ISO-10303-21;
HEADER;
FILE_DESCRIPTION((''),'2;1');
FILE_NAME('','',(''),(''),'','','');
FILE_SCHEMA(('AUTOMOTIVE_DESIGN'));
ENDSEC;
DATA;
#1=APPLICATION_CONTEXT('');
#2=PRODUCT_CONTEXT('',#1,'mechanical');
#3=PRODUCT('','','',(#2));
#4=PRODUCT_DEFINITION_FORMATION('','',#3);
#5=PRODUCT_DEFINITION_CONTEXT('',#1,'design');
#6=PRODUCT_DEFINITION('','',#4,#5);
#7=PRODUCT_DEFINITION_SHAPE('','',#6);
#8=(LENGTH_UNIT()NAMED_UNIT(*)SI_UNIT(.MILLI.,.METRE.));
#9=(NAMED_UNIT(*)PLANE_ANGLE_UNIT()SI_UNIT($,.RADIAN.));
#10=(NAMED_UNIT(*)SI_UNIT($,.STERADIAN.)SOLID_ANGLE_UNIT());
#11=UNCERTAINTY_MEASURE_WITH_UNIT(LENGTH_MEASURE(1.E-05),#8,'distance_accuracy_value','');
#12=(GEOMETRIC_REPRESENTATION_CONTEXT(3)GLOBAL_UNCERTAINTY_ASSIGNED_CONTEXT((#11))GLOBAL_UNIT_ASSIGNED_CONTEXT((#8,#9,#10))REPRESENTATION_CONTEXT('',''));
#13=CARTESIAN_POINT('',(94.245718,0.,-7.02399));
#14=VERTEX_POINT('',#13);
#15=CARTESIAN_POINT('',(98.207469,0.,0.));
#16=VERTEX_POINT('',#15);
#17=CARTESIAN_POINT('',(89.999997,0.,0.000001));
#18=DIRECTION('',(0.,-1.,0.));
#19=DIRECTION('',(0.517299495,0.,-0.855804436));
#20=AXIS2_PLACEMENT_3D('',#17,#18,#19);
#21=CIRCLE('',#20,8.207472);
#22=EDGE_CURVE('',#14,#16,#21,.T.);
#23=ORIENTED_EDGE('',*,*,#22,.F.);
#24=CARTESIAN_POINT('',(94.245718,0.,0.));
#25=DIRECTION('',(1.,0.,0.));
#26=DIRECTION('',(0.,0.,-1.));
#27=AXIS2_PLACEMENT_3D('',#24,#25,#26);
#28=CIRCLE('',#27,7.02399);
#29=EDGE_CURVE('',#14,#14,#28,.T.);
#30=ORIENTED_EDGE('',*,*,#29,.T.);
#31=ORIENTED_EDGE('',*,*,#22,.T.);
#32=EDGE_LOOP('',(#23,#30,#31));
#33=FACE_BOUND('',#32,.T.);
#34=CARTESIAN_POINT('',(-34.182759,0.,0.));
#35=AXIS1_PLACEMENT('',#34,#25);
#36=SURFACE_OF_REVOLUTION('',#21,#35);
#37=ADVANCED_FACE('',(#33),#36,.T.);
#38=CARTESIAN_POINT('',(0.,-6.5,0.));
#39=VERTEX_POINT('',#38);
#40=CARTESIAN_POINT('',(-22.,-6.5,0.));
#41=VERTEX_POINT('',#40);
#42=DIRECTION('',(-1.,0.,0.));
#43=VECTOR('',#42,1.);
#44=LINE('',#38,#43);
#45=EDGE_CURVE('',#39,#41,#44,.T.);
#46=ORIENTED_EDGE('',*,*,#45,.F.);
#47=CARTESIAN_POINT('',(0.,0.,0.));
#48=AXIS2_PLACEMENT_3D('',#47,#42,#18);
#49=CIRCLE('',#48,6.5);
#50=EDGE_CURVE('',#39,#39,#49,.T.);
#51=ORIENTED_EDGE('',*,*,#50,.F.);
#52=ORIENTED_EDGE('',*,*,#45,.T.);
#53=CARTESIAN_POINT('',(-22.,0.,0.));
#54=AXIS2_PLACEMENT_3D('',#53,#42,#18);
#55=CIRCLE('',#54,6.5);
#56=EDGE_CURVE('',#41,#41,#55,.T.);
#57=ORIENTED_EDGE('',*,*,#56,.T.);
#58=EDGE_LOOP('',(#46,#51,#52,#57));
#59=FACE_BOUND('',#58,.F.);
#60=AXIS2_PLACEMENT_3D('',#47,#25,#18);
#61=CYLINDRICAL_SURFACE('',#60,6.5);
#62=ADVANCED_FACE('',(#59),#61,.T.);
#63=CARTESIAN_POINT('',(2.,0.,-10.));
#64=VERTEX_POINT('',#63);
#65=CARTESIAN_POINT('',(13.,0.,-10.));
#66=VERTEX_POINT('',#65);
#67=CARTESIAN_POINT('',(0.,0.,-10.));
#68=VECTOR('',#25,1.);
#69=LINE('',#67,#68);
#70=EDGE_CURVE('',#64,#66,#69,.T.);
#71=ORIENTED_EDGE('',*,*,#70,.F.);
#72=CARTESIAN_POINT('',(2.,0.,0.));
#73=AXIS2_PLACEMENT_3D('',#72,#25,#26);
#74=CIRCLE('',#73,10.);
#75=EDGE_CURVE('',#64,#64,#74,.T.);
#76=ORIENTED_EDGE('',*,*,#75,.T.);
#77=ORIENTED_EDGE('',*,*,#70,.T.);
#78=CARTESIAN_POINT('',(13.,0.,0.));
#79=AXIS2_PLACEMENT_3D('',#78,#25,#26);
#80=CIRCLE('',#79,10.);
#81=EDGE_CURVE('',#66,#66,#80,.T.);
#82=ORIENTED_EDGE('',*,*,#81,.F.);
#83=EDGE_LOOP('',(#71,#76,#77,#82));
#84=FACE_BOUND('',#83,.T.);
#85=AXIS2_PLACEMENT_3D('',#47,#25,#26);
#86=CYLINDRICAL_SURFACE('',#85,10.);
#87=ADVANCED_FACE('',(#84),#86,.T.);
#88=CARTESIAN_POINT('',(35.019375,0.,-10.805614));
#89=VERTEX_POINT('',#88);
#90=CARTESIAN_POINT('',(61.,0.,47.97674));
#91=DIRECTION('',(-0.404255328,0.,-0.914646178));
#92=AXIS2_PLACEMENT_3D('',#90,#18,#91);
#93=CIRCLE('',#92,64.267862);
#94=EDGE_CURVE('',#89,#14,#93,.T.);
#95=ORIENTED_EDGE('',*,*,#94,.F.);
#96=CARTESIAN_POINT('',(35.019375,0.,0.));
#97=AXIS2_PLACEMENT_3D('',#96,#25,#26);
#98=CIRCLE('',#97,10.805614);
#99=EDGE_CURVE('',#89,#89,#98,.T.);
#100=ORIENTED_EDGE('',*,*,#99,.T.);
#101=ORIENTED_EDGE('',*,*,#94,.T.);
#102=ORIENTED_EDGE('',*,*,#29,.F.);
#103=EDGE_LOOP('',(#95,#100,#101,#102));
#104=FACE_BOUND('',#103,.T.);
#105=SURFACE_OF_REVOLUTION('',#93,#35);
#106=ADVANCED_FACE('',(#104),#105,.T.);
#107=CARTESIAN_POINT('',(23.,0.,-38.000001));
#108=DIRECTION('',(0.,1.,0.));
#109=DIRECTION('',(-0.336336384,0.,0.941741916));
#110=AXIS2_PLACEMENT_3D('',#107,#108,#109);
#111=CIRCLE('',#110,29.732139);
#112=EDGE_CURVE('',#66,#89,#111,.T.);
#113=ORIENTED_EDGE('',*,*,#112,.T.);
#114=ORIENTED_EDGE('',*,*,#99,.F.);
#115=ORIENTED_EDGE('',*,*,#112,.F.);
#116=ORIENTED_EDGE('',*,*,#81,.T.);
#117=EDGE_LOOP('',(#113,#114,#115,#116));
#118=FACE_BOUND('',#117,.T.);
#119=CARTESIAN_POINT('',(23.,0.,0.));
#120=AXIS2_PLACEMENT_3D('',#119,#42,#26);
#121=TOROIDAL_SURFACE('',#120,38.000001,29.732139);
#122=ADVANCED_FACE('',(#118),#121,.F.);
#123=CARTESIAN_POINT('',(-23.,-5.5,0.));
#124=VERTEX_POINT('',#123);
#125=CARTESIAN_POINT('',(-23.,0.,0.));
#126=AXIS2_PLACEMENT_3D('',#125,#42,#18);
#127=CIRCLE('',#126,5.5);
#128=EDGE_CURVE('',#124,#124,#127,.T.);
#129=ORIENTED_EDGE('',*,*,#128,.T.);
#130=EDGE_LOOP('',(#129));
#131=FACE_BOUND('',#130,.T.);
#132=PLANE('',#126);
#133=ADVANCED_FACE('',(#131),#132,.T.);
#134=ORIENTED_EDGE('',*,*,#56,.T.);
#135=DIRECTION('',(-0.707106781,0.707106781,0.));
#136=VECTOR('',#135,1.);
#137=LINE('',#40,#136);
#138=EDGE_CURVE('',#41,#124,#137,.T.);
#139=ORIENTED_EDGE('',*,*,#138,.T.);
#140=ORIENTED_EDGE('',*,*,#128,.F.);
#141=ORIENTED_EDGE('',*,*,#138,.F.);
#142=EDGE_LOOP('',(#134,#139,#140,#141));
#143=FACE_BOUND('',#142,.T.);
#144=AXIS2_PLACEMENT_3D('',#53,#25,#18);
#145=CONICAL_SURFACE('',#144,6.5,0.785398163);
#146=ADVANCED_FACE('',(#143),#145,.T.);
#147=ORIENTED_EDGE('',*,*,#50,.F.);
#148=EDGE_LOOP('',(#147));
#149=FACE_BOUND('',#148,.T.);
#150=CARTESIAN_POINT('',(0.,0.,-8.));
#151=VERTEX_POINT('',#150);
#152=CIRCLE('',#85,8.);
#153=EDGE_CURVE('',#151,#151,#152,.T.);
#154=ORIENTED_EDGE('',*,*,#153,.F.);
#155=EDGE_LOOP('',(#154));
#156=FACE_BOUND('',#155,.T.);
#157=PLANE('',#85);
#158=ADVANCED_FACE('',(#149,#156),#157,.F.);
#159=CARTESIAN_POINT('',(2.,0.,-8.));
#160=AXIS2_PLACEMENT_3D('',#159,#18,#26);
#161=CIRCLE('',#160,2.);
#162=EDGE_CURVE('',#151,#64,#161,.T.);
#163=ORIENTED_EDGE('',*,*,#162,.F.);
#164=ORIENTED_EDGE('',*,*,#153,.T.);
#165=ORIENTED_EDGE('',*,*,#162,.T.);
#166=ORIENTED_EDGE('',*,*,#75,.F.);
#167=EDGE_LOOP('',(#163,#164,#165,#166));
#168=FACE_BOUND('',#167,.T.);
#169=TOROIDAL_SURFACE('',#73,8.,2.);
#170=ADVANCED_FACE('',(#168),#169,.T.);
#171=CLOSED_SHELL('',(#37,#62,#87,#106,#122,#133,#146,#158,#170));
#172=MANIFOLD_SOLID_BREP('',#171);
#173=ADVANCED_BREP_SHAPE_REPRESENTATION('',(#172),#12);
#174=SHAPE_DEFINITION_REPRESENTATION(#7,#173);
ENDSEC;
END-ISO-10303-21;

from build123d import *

# Parameters (mm, degrees)
F2_R     = 6.5
F3_DEPTH = 23
F4_SIZE  = 1
F5_R     = 2


with BuildPart() as f1:
    # F0 (on Front) → F1 (revolve)
    with BuildSketch(Plane.XZ):
        with BuildLine():
            Line((98.207469, 0), (0, 0))
            Line((0, 0), (0, -10))
            Line((0, -10), (13, -10))
            ThreePointArc((13, -10), (24.08707, -8.287742), (35.019375, -10.805614))
            ThreePointArc((35.019375, -10.805614), (65.095188, -16.160515), (94.245718, -7.02399))
            ThreePointArc((94.245718, -7.02399), (97.148746, -4.032118), (98.207469, 0))
        make_face()
    revolve(axis=Axis((-34.182759, 0, 0), (1, 0, 0)))

    # F2 (on face) → F3 (join)
    with BuildSketch(Plane(origin=(0, 0, 0), x_dir=(0, -1, 0), z_dir=(-1, 0, 0))):
        Circle(F2_R)
    extrude(amount=F3_DEPTH)

    # F4
    f4_edges = [f1.edges().sort_by_distance(p)[0] for p in [
        (-23, 6.5, 0),
    ]]
    chamfer(f4_edges, length=F4_SIZE)

    # F5
    f5_edges = [f1.edges().sort_by_distance(p)[0] for p in [
        (0, 0, 10),
    ]]
    fillet(f5_edges, radius=F5_R)


solid = f1.part
